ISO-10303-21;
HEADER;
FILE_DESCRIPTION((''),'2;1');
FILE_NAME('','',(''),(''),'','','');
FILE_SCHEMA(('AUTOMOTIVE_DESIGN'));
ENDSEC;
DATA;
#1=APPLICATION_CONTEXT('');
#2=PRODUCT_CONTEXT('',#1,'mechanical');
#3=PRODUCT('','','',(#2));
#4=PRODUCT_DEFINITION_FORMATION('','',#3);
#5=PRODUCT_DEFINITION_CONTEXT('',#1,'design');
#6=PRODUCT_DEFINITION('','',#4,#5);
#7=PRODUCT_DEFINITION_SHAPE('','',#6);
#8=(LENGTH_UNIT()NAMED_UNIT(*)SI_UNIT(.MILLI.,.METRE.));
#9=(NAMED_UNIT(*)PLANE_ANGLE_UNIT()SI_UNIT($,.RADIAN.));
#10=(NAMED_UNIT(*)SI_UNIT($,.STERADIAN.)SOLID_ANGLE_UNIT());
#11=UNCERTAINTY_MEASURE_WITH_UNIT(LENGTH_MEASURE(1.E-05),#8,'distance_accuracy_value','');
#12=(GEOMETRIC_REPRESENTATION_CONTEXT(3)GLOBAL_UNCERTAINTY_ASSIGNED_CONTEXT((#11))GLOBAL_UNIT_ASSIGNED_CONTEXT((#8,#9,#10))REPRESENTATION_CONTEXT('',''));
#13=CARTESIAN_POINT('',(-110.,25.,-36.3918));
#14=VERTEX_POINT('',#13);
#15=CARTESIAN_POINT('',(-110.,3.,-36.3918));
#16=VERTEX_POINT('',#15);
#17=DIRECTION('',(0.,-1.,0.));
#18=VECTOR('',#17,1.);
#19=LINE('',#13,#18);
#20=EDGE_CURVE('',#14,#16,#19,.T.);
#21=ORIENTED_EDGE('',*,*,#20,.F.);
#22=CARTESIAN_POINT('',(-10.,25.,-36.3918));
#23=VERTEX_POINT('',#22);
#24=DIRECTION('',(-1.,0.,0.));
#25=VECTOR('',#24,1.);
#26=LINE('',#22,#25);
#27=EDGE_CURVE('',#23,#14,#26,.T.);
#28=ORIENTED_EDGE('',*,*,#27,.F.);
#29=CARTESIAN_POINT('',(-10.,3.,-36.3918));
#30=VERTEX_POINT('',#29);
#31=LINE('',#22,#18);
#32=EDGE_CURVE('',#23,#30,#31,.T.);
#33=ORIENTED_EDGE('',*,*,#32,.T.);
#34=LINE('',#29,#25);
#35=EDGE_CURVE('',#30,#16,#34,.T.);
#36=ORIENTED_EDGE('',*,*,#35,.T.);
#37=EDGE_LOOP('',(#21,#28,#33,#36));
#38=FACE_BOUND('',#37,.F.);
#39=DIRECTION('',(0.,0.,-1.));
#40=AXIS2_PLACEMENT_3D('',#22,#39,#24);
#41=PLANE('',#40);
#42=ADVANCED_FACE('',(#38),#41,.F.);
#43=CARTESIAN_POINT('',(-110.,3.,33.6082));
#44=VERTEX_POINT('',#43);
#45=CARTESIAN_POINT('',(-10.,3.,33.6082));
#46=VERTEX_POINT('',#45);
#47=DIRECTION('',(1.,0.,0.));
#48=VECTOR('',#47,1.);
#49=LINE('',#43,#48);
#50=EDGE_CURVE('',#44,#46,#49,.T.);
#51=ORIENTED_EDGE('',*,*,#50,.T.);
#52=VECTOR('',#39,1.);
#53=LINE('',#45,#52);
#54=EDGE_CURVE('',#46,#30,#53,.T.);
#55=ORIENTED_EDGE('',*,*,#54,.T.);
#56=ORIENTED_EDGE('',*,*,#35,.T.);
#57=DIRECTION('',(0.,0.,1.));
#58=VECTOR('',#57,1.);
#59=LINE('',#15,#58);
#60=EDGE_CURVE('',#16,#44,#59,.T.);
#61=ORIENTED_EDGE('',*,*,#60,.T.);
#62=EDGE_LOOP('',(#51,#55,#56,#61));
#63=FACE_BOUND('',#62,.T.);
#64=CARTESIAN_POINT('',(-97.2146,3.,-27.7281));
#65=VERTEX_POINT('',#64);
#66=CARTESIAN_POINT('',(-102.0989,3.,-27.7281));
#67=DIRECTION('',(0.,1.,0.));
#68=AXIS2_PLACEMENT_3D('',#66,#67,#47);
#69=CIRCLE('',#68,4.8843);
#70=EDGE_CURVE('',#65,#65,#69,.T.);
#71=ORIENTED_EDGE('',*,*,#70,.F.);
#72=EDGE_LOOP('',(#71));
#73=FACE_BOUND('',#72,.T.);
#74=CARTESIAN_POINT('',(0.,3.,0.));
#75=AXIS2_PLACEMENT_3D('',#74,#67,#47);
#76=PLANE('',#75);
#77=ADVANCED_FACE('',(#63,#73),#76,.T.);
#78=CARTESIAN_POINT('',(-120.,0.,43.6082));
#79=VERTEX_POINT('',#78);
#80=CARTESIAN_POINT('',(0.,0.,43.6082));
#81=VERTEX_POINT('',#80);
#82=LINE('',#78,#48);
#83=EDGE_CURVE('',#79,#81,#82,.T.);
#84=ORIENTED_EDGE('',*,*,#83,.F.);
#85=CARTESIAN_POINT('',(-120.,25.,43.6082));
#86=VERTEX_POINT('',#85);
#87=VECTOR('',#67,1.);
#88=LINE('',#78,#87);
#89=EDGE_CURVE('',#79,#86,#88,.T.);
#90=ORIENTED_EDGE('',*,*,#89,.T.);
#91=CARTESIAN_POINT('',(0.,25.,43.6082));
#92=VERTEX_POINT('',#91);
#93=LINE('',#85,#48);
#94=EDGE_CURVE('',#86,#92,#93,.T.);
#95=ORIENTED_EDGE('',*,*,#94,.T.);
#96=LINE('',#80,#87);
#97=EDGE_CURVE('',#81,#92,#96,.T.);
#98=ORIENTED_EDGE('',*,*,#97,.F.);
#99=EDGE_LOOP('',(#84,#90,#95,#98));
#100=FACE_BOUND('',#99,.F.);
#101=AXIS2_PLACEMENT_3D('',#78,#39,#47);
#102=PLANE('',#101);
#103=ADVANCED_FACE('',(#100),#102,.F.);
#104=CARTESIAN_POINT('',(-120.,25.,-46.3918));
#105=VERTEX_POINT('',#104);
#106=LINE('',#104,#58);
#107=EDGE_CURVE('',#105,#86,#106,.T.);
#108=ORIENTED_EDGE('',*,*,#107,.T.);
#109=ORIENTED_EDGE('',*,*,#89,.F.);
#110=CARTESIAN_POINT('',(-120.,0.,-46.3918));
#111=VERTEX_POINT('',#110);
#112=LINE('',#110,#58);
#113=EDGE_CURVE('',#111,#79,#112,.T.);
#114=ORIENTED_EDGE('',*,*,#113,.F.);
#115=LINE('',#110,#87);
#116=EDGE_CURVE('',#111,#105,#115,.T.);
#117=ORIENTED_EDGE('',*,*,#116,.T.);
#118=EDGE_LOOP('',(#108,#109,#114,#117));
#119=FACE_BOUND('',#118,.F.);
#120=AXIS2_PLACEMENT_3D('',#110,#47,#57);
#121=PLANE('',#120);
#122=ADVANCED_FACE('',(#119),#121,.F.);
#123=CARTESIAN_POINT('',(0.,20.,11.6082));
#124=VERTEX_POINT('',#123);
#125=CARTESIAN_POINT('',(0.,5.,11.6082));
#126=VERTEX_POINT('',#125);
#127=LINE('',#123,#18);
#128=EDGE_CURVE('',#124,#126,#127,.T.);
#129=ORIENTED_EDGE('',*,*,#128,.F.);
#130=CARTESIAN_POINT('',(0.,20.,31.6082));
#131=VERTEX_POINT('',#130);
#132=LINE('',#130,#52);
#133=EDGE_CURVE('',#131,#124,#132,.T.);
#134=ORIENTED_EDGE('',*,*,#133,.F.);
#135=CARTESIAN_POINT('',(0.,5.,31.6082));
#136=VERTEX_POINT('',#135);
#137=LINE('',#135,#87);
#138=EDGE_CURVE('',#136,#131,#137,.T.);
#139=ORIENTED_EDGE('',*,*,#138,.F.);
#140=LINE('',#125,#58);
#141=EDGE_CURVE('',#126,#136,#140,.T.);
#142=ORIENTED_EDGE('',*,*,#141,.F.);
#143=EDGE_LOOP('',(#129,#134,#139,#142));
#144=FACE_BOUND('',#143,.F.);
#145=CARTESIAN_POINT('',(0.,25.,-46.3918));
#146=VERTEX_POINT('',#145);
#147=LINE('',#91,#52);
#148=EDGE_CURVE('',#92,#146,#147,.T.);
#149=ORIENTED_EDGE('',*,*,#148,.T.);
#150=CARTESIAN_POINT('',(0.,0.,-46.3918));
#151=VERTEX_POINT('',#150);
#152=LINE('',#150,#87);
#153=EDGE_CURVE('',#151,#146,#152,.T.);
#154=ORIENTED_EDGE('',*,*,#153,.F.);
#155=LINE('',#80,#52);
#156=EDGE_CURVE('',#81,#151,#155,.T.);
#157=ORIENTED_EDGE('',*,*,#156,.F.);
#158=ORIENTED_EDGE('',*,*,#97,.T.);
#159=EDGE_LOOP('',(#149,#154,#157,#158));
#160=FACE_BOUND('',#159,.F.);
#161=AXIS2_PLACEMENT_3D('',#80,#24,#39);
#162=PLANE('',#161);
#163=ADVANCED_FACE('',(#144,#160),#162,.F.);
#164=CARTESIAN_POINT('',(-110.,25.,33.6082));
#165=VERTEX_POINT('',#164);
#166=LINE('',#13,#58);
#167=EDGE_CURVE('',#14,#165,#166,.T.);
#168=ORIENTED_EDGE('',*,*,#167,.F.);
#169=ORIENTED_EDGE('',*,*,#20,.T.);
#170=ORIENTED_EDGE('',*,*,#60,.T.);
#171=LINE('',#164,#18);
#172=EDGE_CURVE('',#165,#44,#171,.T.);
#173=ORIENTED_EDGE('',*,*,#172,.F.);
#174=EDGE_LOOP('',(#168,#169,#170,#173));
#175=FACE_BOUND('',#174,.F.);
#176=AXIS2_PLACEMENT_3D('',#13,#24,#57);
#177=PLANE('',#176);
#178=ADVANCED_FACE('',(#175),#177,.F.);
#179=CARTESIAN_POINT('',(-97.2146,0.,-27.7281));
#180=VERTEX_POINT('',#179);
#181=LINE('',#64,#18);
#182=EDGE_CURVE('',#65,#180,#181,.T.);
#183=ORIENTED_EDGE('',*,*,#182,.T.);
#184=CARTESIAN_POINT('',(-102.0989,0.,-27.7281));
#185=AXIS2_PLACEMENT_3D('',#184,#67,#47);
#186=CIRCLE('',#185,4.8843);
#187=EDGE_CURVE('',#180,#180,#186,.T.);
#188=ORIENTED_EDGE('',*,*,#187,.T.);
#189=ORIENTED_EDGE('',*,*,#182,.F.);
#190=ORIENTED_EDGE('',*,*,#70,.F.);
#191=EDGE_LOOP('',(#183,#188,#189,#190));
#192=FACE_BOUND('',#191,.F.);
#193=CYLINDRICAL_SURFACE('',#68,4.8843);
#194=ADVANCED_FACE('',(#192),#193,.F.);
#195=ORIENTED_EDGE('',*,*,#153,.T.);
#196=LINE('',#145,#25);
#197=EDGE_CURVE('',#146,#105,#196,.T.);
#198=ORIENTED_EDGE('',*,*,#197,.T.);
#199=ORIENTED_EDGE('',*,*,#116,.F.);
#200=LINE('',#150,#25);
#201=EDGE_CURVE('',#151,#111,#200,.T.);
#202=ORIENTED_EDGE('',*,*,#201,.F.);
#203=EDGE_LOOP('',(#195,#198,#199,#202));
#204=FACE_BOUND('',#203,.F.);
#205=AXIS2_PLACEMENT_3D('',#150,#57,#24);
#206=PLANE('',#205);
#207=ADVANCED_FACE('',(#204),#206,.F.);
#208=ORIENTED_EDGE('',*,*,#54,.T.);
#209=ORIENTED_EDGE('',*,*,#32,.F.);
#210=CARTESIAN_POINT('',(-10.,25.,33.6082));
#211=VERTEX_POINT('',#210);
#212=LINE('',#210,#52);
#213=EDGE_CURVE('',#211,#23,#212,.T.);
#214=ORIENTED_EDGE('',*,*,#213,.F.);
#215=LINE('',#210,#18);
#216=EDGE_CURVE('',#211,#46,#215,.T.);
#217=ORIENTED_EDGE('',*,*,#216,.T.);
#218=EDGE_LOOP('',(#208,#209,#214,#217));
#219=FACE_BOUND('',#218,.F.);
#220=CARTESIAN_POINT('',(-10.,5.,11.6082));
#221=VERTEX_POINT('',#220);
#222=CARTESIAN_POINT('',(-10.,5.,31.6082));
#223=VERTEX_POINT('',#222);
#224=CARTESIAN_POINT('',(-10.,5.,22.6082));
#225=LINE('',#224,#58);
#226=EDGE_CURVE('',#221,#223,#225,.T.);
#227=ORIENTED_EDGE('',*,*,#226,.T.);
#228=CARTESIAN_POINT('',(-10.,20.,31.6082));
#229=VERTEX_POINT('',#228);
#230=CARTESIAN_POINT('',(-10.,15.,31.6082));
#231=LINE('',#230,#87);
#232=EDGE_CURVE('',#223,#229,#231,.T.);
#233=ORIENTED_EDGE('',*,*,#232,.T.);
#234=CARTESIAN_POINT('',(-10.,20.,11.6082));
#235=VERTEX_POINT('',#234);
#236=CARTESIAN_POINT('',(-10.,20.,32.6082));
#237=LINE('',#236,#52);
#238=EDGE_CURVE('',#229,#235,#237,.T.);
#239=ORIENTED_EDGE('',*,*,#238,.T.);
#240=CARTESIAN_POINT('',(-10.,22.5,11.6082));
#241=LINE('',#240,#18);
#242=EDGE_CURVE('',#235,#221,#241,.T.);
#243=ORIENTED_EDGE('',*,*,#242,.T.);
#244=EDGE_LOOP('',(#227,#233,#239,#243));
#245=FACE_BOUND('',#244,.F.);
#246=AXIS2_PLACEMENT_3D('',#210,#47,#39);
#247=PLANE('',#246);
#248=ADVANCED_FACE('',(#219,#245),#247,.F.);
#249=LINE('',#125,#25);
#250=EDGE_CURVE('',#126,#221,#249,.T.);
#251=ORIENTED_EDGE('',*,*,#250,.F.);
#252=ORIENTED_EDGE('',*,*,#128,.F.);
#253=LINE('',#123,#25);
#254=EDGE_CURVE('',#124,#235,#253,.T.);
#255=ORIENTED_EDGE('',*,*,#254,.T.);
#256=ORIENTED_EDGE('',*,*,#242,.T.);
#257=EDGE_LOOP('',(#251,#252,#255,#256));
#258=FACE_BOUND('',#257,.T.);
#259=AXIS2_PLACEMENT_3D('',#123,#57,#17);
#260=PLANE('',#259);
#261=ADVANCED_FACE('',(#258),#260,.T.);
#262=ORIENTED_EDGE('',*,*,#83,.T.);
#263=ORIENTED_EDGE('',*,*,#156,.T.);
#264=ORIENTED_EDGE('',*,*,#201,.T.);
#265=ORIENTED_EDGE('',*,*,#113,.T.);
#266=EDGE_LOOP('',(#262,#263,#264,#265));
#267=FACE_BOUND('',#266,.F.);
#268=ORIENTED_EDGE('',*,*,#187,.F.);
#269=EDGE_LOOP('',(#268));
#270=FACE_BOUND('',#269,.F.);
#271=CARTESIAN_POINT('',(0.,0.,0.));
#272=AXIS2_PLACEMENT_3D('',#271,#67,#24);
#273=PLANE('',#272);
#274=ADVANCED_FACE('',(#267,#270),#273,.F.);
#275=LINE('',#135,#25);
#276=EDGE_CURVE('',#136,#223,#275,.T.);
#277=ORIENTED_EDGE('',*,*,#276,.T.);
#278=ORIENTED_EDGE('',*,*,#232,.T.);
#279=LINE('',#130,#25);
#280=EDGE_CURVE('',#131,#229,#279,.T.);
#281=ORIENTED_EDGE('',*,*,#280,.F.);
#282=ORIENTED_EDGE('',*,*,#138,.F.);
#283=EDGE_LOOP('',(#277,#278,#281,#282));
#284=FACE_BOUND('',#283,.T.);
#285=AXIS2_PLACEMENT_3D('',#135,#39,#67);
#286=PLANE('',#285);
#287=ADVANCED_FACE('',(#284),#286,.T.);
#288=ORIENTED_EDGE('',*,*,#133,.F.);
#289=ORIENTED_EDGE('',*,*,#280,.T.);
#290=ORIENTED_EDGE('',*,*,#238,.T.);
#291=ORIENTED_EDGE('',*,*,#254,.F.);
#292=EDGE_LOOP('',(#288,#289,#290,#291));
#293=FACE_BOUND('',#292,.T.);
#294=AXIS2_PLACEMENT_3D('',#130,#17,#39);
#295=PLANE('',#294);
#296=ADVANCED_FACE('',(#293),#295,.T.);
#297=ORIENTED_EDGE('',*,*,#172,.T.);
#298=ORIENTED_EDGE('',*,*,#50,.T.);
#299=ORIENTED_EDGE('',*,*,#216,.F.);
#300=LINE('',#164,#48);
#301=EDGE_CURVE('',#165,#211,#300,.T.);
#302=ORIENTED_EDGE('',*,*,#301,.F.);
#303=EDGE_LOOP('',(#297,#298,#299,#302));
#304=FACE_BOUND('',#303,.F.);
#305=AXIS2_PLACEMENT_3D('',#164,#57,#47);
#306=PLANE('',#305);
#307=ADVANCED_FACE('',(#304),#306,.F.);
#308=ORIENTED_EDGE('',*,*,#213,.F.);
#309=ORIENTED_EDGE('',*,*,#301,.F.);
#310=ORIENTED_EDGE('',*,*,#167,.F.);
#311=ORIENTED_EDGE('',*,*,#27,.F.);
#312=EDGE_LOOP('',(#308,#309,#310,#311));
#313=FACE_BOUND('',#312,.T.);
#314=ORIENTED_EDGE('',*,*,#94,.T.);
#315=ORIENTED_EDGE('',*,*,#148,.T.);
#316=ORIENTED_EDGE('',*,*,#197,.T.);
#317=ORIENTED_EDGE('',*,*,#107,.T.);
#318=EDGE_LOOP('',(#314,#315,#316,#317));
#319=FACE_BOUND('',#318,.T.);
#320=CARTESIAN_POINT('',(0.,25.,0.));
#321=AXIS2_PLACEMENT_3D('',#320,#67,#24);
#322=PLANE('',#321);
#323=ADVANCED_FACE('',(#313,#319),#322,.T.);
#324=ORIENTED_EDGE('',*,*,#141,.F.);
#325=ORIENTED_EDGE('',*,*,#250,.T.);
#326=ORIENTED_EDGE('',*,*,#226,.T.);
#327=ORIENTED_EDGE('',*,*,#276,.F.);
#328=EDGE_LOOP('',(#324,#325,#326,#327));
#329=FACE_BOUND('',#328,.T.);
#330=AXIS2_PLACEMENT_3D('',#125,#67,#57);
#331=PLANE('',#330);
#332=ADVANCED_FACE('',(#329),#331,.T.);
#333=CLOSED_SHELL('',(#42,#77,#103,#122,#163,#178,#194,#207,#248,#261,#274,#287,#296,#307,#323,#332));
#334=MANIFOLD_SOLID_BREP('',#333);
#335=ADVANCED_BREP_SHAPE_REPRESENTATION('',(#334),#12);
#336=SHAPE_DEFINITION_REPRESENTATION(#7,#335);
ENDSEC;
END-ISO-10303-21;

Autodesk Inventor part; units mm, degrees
ref_plane "YZ Plane" through (0, 0, 0) normal (1, 0, 0) x (0, 1, 0)
ref_plane "XZ Plane" through (0, 0, 0) normal (0, 1, 0) x (-1, 0, 0)
ref_plane "XY Plane" through (0, 0, 0) normal (0, 0, 1) x (1, 0, 0)
sketch "Sketch1" plane through (0, 0, 0) normal (0, 1, 0) x (-1, 0, 0)
  line L0 (120, 43.6082) -> (0, 43.6082)
  line L1 (0, 43.6082) -> (0, -46.3918)
  line L2 (0, -46.3918) -> (120, -46.3918)
  line L3 (120, -46.3918) -> (120, 43.6082)
  point P0 (0, 0)
  dimension "d0" = 90
  dimension "d1" = 120
  dimension "d2" = 0
extrude "Extrusion1" add sketch "Sketch1" along normal blind 25
sketch "Sketch2" plane through (0, 25, 0) normal (0, 1, 0) x (1, 0, 0)
  line L0 (-110, -33.6082) -> (-10, -33.6082)
  line L1 (-10, -33.6082) -> (-10, 36.3918)
  line L2 (-10, 36.3918) -> (-110, 36.3918)
  line L3 (-110, 36.3918) -> (-110, -33.6082)
  line L4 (-120, -43.6082) -> (0, -43.6082) projected
  line L5 (0, 46.3918) -> (-120, 46.3918) projected
  line L6 (-120, 46.3918) -> (-120, -43.6082) projected
  line L7 (0, -43.6082) -> (0, 46.3918) projected
  point P0 (0, 0)
  dimension "d5" = 10
  dimension "d6" = 10
  dimension "d7" = 10
  dimension "d8" = 10
extrude "Extrusion2" cut sketch "Sketch2" against normal blind 22 contours L3 L2 L1 L0
sketch "Sketch4" plane through (0, 0, 43.6082) normal (1, 0, 0) x (0, 0, -1)
  line L0 (12, 20) -> (32, 20)
  line L1 (32, 20) -> (32, 5)
  line L2 (32, 5) -> (12, 5)
  line L3 (12, 5) -> (12, 20)
  line L4 (0, 25) -> (90, 25) projected
  line L5 (0, 0) -> (90, 0) projected
  line L6 (90, 0) -> (90, 25) projected
  line L7 (0, 0) -> (0, 25) projected
  point P0 (43.6082, 0)
  dimension "d13" = 5
  dimension "d14" = 5
  dimension "d16" = 20
  dimension "d19" = 12
extrude "Extrusion3" cut sketch "Sketch4" against normal blind 22 contours L0 L1 L2 L3
sketch "Sketch5" plane through (0, 3, 0) normal (0, 1, 0) x (1, 0, 0)
  circle A0 centre (-102.0989, 27.7281) radius 4.8843
  line L0 (-110, -33.6082) -> (-110, 36.3918) projected
  line L1 (-110, 36.3918) -> (-10, 36.3918) projected
  point P0 (0, 0)
  dimension "d20" = 7.9011
  dimension "d21" = 8.6636
extrude "Extrusion4" cut sketch "Sketch5" against normal blind 22
properties part number "Case_Bottom_Part"
